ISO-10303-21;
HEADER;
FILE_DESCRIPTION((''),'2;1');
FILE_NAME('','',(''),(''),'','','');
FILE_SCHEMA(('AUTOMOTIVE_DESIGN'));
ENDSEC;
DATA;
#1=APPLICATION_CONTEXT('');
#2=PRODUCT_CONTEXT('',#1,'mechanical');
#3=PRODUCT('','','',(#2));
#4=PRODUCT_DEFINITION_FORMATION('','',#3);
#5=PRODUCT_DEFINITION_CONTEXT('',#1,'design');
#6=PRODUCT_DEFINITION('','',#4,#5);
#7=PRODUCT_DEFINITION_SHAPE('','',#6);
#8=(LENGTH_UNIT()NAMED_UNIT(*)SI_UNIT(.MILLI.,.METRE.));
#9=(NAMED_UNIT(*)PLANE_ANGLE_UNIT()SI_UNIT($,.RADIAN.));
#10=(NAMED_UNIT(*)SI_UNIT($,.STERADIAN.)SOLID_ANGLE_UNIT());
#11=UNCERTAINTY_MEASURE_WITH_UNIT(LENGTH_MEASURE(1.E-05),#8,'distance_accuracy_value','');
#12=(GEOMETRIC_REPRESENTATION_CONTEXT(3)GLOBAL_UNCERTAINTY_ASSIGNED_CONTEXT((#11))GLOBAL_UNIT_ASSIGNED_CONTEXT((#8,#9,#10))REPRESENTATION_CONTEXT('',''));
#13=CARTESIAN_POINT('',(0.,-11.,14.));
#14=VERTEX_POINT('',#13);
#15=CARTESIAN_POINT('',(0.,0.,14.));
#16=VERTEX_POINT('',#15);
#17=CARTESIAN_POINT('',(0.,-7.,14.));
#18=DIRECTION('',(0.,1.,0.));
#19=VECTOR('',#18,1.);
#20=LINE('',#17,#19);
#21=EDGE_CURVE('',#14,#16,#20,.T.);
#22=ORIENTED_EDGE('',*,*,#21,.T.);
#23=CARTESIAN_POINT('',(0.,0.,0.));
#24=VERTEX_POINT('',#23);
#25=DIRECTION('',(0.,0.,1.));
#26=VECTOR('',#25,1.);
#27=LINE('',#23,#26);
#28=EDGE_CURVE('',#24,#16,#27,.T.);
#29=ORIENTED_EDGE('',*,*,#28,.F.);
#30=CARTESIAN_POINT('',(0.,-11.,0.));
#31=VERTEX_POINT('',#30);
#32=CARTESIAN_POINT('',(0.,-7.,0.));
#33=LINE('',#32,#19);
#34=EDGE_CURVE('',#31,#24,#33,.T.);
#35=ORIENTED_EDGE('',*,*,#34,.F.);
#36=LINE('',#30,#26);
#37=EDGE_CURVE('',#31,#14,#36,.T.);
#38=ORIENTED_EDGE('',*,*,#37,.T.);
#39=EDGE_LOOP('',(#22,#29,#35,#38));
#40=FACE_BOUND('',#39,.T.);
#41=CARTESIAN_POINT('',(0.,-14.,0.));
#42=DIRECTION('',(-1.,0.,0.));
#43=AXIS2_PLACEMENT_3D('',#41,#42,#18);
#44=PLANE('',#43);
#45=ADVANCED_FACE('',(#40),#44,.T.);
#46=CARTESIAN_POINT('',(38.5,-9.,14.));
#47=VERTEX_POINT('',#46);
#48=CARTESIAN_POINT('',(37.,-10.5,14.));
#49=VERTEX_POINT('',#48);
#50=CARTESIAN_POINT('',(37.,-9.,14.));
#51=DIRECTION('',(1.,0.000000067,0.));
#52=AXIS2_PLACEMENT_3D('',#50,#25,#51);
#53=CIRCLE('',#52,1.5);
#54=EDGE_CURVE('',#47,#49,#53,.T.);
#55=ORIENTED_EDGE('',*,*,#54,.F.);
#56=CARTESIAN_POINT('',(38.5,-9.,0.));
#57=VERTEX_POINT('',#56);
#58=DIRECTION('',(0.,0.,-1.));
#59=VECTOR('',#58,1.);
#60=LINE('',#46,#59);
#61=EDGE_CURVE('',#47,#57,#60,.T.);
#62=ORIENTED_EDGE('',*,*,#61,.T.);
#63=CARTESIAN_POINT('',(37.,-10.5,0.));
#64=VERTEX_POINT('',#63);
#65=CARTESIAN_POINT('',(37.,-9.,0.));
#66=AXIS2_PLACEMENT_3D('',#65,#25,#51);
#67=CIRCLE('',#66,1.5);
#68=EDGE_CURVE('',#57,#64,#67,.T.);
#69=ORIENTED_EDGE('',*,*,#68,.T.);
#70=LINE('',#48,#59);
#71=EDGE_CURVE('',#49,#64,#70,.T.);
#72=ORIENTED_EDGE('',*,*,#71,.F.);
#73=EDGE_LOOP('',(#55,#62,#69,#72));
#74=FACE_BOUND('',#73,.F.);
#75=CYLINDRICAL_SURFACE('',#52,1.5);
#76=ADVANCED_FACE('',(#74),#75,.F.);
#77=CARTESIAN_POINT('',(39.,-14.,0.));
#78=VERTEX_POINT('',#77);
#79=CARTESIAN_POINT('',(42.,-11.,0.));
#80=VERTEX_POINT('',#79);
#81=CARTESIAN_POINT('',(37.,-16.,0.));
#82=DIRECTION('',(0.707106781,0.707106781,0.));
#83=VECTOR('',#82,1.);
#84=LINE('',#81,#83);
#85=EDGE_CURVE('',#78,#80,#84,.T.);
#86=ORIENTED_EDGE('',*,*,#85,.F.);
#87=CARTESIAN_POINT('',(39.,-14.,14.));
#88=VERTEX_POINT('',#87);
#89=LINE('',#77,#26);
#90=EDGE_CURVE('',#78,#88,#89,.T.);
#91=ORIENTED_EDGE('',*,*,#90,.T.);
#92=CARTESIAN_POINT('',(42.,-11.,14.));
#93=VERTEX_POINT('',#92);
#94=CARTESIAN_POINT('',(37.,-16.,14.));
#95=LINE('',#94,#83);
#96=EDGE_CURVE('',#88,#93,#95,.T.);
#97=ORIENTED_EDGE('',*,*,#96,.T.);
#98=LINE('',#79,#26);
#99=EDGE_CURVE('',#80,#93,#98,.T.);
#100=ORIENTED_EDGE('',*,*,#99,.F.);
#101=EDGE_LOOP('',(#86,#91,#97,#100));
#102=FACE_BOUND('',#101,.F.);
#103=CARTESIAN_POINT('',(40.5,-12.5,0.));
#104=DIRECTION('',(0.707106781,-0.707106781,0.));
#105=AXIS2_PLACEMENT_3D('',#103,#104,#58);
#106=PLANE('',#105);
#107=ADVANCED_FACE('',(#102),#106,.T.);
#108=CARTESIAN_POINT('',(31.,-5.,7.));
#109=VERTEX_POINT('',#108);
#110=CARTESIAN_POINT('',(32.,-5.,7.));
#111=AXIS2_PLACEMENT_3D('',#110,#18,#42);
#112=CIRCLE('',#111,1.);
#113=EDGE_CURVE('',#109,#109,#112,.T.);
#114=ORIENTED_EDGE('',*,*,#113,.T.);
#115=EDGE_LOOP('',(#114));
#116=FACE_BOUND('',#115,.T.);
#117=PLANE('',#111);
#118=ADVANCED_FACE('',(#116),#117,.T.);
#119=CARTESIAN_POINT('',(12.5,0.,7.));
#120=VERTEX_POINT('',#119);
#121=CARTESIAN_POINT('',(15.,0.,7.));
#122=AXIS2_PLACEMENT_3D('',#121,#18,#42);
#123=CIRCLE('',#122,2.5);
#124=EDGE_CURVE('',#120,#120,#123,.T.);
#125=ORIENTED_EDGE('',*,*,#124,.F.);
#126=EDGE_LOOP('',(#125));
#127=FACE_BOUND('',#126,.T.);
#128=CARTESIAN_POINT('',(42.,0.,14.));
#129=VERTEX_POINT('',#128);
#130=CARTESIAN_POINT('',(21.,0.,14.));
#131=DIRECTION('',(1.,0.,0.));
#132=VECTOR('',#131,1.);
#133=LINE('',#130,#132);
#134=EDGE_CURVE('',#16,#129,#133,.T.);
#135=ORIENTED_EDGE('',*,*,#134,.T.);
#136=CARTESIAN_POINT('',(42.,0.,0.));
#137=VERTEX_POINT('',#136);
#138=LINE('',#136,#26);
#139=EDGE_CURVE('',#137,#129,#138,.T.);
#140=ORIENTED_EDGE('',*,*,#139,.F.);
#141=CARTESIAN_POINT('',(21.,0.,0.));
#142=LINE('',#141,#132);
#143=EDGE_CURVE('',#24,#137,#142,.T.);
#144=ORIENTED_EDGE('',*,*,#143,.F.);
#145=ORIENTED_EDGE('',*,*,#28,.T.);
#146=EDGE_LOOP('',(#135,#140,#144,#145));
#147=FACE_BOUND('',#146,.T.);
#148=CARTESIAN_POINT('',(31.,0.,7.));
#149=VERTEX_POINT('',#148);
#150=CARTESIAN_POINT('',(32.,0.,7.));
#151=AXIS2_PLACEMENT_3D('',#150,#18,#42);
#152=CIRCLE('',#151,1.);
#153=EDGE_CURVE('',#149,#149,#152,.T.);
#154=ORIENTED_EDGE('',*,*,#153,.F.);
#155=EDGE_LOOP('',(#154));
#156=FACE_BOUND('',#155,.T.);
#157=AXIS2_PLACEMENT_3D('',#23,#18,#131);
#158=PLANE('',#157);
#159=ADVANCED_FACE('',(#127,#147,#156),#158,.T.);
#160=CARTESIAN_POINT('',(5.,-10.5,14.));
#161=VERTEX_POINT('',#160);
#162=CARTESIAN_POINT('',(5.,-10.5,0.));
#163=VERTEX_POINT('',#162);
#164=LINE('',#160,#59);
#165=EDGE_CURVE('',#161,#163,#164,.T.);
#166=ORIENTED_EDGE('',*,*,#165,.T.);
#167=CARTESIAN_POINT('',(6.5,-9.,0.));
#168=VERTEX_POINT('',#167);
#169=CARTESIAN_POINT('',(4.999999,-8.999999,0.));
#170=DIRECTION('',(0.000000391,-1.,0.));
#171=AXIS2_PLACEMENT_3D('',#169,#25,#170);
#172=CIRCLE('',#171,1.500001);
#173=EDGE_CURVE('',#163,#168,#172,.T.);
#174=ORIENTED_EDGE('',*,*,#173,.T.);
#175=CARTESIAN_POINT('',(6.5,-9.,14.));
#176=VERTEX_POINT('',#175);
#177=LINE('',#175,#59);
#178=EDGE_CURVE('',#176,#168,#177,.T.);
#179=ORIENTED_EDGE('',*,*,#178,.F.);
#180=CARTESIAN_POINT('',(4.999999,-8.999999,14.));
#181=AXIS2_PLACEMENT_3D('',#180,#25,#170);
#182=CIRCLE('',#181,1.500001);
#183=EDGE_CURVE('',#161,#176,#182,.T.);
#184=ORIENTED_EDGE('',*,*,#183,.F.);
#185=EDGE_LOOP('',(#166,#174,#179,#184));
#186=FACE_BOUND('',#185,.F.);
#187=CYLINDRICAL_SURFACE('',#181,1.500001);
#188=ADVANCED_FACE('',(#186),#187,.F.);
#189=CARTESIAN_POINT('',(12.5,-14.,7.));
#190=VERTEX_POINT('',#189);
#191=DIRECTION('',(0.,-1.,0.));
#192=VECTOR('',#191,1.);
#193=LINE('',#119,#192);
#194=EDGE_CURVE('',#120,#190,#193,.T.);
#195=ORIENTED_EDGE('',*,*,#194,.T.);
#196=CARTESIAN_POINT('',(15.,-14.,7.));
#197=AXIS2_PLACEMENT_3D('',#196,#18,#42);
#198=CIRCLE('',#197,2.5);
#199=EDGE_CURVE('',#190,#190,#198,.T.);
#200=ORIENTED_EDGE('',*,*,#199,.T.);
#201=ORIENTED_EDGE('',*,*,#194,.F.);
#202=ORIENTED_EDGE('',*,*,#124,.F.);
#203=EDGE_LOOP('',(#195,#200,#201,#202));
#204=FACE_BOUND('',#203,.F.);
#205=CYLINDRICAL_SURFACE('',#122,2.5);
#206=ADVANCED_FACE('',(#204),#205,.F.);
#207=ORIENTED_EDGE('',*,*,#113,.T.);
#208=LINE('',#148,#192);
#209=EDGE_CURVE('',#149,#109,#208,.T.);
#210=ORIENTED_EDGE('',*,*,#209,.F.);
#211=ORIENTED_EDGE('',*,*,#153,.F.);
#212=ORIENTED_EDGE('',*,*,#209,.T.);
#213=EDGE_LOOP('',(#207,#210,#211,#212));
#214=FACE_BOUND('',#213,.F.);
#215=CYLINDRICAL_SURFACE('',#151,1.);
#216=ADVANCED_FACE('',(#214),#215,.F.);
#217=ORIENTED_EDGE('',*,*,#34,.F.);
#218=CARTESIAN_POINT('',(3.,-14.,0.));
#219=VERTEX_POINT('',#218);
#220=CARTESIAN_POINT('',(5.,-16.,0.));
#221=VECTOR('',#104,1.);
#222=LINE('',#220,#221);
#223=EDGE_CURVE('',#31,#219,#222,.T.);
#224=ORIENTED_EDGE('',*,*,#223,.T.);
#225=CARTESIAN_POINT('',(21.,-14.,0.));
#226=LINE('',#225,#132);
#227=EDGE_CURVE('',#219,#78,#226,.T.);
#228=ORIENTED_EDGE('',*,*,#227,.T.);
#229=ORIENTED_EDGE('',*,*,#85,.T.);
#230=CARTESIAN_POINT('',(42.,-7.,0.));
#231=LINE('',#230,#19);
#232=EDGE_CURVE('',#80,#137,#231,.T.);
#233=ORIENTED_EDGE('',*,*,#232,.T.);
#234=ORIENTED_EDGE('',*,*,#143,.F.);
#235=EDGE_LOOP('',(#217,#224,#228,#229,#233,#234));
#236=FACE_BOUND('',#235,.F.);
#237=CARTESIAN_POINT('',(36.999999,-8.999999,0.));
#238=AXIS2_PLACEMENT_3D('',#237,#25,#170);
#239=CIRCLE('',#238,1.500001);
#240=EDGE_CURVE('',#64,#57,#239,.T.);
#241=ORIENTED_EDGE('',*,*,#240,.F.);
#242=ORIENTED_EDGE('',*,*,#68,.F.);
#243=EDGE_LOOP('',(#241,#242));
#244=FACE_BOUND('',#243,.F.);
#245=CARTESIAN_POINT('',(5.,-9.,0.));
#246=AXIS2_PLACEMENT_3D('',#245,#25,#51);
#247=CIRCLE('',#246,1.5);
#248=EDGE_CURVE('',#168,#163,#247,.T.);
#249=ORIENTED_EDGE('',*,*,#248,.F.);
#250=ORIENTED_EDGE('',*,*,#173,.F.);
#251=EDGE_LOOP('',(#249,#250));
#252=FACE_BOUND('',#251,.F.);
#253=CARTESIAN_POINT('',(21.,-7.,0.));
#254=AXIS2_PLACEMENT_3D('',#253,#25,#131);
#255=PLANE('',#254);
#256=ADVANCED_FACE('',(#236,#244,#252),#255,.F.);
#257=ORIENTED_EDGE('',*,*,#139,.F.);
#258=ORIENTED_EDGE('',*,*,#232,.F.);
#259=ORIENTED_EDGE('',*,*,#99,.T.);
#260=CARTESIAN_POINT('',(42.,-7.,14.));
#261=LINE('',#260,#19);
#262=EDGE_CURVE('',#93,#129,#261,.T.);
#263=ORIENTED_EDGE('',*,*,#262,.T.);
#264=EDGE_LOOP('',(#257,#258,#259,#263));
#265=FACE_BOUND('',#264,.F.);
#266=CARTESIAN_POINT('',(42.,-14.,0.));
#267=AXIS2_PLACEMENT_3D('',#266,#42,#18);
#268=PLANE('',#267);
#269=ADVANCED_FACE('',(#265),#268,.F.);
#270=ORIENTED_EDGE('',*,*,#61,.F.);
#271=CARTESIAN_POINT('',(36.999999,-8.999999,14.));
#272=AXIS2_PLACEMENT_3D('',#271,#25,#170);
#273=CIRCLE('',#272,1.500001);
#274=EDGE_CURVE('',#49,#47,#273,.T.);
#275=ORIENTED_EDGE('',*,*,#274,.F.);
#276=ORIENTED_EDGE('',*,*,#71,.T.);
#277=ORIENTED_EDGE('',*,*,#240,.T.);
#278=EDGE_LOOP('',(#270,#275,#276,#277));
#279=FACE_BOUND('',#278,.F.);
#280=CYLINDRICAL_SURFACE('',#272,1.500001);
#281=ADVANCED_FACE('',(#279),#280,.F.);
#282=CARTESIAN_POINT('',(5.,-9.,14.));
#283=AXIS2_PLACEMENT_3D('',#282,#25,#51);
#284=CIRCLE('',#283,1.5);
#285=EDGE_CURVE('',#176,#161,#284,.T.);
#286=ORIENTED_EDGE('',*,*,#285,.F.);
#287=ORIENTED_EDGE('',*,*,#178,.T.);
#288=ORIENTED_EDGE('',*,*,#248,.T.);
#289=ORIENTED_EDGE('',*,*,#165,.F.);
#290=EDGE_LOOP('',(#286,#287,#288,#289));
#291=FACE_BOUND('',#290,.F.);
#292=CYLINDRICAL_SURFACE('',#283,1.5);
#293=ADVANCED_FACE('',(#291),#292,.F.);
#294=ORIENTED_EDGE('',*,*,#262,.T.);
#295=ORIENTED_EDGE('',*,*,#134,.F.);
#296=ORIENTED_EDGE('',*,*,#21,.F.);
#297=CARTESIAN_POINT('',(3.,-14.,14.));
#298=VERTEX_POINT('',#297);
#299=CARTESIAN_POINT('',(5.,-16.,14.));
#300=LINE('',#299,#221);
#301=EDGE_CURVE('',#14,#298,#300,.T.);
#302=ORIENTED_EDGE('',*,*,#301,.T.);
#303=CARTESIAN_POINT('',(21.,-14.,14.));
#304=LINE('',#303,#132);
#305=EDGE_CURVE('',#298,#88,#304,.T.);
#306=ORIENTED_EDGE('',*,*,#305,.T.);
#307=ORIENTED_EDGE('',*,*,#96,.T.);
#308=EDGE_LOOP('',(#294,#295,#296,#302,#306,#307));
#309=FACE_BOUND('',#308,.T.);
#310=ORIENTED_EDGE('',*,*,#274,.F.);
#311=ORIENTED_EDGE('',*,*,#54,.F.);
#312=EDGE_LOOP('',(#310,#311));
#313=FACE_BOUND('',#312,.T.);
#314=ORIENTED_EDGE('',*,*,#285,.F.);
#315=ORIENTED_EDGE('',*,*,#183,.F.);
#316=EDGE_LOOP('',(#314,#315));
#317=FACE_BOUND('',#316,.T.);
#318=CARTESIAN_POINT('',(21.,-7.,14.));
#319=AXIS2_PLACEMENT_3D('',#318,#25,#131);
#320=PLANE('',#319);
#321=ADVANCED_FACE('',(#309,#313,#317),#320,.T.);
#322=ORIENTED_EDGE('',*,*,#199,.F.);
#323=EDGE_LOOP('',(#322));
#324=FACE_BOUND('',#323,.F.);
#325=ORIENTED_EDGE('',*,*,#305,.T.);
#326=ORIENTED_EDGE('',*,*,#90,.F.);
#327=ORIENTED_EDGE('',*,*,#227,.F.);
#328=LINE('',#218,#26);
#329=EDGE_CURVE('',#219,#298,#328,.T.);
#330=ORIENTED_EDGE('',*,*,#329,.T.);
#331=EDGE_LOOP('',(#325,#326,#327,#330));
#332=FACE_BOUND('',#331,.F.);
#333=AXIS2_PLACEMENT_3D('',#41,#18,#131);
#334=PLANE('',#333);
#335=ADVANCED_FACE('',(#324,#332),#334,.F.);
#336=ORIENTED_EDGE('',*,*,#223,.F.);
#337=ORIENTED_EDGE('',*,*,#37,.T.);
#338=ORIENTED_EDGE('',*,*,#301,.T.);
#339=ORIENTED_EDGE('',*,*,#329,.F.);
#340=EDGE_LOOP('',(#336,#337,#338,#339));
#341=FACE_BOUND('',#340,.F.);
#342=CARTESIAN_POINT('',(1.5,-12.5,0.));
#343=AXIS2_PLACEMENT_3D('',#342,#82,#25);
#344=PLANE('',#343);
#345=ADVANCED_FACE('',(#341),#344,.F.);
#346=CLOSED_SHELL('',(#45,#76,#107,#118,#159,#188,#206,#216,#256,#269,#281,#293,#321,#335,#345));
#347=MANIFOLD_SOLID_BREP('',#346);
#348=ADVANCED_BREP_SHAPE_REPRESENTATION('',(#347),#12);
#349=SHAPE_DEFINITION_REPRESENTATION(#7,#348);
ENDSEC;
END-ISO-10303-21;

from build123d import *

# Parameters (mm, degrees)
F0_W     = 42
F0_H     = 14
F1_DEPTH = 14
F3_DEPTH = 25
F5_DEPTH = 5
F6_R     = 2.5
F7_DEPTH = 25
F8_SIZE  = 3


with BuildPart() as f1:
    # F0 (on Top) → F1 (new body)
    with BuildSketch(Plane.XY):
        with Locations((21, -7)):
            Rectangle(F0_W, F0_H)
    extrude(amount=F1_DEPTH)

    # F2 (on face) → F3 (cut)
    with BuildSketch(Plane.XY.offset(14)):
        with BuildLine():
            ThreePointArc((5, -10.5), (6.06066, -10.06066), (6.5, -9))
            ThreePointArc((6.5, -9), (3.93934, -7.93934), (5, -10.5))
        make_face()
        with BuildLine():
            ThreePointArc((37, -10.5), (38.06066, -10.06066), (38.5, -9))
            ThreePointArc((38.5, -9), (35.93934, -7.93934), (37, -10.5))
        make_face()
    extrude(amount=-F3_DEPTH, mode=Mode.SUBTRACT)

    # F4 (on face) → F5 (cut)
    with BuildSketch(Plane(origin=(0, 0, 0), x_dir=(-1, 0, 0), z_dir=(0, 1, 0))):
        with BuildLine():
            ThreePointArc((-33, 7), (-32, 6), (-31, 7))
            ThreePointArc((-31, 7), (-32, 8), (-33, 7))
        make_face()
    extrude(amount=-F5_DEPTH, mode=Mode.SUBTRACT)

    # F6 (on face) → F7 (cut)
    with BuildSketch(Plane(origin=(0, 0, 0), x_dir=(-1, 0, 0), z_dir=(0, 1, 0))):
        with Locations((-15, 7)):
            Circle(F6_R)
    extrude(amount=-F7_DEPTH, mode=Mode.SUBTRACT)

    # F8
    f8_edges = [f1.edges().sort_by_distance(p)[0] for p in [
        (0, -14, 7),
        (42, -14, 7),
    ]]
    chamfer(f8_edges, length=F8_SIZE)


solid = f1.part
